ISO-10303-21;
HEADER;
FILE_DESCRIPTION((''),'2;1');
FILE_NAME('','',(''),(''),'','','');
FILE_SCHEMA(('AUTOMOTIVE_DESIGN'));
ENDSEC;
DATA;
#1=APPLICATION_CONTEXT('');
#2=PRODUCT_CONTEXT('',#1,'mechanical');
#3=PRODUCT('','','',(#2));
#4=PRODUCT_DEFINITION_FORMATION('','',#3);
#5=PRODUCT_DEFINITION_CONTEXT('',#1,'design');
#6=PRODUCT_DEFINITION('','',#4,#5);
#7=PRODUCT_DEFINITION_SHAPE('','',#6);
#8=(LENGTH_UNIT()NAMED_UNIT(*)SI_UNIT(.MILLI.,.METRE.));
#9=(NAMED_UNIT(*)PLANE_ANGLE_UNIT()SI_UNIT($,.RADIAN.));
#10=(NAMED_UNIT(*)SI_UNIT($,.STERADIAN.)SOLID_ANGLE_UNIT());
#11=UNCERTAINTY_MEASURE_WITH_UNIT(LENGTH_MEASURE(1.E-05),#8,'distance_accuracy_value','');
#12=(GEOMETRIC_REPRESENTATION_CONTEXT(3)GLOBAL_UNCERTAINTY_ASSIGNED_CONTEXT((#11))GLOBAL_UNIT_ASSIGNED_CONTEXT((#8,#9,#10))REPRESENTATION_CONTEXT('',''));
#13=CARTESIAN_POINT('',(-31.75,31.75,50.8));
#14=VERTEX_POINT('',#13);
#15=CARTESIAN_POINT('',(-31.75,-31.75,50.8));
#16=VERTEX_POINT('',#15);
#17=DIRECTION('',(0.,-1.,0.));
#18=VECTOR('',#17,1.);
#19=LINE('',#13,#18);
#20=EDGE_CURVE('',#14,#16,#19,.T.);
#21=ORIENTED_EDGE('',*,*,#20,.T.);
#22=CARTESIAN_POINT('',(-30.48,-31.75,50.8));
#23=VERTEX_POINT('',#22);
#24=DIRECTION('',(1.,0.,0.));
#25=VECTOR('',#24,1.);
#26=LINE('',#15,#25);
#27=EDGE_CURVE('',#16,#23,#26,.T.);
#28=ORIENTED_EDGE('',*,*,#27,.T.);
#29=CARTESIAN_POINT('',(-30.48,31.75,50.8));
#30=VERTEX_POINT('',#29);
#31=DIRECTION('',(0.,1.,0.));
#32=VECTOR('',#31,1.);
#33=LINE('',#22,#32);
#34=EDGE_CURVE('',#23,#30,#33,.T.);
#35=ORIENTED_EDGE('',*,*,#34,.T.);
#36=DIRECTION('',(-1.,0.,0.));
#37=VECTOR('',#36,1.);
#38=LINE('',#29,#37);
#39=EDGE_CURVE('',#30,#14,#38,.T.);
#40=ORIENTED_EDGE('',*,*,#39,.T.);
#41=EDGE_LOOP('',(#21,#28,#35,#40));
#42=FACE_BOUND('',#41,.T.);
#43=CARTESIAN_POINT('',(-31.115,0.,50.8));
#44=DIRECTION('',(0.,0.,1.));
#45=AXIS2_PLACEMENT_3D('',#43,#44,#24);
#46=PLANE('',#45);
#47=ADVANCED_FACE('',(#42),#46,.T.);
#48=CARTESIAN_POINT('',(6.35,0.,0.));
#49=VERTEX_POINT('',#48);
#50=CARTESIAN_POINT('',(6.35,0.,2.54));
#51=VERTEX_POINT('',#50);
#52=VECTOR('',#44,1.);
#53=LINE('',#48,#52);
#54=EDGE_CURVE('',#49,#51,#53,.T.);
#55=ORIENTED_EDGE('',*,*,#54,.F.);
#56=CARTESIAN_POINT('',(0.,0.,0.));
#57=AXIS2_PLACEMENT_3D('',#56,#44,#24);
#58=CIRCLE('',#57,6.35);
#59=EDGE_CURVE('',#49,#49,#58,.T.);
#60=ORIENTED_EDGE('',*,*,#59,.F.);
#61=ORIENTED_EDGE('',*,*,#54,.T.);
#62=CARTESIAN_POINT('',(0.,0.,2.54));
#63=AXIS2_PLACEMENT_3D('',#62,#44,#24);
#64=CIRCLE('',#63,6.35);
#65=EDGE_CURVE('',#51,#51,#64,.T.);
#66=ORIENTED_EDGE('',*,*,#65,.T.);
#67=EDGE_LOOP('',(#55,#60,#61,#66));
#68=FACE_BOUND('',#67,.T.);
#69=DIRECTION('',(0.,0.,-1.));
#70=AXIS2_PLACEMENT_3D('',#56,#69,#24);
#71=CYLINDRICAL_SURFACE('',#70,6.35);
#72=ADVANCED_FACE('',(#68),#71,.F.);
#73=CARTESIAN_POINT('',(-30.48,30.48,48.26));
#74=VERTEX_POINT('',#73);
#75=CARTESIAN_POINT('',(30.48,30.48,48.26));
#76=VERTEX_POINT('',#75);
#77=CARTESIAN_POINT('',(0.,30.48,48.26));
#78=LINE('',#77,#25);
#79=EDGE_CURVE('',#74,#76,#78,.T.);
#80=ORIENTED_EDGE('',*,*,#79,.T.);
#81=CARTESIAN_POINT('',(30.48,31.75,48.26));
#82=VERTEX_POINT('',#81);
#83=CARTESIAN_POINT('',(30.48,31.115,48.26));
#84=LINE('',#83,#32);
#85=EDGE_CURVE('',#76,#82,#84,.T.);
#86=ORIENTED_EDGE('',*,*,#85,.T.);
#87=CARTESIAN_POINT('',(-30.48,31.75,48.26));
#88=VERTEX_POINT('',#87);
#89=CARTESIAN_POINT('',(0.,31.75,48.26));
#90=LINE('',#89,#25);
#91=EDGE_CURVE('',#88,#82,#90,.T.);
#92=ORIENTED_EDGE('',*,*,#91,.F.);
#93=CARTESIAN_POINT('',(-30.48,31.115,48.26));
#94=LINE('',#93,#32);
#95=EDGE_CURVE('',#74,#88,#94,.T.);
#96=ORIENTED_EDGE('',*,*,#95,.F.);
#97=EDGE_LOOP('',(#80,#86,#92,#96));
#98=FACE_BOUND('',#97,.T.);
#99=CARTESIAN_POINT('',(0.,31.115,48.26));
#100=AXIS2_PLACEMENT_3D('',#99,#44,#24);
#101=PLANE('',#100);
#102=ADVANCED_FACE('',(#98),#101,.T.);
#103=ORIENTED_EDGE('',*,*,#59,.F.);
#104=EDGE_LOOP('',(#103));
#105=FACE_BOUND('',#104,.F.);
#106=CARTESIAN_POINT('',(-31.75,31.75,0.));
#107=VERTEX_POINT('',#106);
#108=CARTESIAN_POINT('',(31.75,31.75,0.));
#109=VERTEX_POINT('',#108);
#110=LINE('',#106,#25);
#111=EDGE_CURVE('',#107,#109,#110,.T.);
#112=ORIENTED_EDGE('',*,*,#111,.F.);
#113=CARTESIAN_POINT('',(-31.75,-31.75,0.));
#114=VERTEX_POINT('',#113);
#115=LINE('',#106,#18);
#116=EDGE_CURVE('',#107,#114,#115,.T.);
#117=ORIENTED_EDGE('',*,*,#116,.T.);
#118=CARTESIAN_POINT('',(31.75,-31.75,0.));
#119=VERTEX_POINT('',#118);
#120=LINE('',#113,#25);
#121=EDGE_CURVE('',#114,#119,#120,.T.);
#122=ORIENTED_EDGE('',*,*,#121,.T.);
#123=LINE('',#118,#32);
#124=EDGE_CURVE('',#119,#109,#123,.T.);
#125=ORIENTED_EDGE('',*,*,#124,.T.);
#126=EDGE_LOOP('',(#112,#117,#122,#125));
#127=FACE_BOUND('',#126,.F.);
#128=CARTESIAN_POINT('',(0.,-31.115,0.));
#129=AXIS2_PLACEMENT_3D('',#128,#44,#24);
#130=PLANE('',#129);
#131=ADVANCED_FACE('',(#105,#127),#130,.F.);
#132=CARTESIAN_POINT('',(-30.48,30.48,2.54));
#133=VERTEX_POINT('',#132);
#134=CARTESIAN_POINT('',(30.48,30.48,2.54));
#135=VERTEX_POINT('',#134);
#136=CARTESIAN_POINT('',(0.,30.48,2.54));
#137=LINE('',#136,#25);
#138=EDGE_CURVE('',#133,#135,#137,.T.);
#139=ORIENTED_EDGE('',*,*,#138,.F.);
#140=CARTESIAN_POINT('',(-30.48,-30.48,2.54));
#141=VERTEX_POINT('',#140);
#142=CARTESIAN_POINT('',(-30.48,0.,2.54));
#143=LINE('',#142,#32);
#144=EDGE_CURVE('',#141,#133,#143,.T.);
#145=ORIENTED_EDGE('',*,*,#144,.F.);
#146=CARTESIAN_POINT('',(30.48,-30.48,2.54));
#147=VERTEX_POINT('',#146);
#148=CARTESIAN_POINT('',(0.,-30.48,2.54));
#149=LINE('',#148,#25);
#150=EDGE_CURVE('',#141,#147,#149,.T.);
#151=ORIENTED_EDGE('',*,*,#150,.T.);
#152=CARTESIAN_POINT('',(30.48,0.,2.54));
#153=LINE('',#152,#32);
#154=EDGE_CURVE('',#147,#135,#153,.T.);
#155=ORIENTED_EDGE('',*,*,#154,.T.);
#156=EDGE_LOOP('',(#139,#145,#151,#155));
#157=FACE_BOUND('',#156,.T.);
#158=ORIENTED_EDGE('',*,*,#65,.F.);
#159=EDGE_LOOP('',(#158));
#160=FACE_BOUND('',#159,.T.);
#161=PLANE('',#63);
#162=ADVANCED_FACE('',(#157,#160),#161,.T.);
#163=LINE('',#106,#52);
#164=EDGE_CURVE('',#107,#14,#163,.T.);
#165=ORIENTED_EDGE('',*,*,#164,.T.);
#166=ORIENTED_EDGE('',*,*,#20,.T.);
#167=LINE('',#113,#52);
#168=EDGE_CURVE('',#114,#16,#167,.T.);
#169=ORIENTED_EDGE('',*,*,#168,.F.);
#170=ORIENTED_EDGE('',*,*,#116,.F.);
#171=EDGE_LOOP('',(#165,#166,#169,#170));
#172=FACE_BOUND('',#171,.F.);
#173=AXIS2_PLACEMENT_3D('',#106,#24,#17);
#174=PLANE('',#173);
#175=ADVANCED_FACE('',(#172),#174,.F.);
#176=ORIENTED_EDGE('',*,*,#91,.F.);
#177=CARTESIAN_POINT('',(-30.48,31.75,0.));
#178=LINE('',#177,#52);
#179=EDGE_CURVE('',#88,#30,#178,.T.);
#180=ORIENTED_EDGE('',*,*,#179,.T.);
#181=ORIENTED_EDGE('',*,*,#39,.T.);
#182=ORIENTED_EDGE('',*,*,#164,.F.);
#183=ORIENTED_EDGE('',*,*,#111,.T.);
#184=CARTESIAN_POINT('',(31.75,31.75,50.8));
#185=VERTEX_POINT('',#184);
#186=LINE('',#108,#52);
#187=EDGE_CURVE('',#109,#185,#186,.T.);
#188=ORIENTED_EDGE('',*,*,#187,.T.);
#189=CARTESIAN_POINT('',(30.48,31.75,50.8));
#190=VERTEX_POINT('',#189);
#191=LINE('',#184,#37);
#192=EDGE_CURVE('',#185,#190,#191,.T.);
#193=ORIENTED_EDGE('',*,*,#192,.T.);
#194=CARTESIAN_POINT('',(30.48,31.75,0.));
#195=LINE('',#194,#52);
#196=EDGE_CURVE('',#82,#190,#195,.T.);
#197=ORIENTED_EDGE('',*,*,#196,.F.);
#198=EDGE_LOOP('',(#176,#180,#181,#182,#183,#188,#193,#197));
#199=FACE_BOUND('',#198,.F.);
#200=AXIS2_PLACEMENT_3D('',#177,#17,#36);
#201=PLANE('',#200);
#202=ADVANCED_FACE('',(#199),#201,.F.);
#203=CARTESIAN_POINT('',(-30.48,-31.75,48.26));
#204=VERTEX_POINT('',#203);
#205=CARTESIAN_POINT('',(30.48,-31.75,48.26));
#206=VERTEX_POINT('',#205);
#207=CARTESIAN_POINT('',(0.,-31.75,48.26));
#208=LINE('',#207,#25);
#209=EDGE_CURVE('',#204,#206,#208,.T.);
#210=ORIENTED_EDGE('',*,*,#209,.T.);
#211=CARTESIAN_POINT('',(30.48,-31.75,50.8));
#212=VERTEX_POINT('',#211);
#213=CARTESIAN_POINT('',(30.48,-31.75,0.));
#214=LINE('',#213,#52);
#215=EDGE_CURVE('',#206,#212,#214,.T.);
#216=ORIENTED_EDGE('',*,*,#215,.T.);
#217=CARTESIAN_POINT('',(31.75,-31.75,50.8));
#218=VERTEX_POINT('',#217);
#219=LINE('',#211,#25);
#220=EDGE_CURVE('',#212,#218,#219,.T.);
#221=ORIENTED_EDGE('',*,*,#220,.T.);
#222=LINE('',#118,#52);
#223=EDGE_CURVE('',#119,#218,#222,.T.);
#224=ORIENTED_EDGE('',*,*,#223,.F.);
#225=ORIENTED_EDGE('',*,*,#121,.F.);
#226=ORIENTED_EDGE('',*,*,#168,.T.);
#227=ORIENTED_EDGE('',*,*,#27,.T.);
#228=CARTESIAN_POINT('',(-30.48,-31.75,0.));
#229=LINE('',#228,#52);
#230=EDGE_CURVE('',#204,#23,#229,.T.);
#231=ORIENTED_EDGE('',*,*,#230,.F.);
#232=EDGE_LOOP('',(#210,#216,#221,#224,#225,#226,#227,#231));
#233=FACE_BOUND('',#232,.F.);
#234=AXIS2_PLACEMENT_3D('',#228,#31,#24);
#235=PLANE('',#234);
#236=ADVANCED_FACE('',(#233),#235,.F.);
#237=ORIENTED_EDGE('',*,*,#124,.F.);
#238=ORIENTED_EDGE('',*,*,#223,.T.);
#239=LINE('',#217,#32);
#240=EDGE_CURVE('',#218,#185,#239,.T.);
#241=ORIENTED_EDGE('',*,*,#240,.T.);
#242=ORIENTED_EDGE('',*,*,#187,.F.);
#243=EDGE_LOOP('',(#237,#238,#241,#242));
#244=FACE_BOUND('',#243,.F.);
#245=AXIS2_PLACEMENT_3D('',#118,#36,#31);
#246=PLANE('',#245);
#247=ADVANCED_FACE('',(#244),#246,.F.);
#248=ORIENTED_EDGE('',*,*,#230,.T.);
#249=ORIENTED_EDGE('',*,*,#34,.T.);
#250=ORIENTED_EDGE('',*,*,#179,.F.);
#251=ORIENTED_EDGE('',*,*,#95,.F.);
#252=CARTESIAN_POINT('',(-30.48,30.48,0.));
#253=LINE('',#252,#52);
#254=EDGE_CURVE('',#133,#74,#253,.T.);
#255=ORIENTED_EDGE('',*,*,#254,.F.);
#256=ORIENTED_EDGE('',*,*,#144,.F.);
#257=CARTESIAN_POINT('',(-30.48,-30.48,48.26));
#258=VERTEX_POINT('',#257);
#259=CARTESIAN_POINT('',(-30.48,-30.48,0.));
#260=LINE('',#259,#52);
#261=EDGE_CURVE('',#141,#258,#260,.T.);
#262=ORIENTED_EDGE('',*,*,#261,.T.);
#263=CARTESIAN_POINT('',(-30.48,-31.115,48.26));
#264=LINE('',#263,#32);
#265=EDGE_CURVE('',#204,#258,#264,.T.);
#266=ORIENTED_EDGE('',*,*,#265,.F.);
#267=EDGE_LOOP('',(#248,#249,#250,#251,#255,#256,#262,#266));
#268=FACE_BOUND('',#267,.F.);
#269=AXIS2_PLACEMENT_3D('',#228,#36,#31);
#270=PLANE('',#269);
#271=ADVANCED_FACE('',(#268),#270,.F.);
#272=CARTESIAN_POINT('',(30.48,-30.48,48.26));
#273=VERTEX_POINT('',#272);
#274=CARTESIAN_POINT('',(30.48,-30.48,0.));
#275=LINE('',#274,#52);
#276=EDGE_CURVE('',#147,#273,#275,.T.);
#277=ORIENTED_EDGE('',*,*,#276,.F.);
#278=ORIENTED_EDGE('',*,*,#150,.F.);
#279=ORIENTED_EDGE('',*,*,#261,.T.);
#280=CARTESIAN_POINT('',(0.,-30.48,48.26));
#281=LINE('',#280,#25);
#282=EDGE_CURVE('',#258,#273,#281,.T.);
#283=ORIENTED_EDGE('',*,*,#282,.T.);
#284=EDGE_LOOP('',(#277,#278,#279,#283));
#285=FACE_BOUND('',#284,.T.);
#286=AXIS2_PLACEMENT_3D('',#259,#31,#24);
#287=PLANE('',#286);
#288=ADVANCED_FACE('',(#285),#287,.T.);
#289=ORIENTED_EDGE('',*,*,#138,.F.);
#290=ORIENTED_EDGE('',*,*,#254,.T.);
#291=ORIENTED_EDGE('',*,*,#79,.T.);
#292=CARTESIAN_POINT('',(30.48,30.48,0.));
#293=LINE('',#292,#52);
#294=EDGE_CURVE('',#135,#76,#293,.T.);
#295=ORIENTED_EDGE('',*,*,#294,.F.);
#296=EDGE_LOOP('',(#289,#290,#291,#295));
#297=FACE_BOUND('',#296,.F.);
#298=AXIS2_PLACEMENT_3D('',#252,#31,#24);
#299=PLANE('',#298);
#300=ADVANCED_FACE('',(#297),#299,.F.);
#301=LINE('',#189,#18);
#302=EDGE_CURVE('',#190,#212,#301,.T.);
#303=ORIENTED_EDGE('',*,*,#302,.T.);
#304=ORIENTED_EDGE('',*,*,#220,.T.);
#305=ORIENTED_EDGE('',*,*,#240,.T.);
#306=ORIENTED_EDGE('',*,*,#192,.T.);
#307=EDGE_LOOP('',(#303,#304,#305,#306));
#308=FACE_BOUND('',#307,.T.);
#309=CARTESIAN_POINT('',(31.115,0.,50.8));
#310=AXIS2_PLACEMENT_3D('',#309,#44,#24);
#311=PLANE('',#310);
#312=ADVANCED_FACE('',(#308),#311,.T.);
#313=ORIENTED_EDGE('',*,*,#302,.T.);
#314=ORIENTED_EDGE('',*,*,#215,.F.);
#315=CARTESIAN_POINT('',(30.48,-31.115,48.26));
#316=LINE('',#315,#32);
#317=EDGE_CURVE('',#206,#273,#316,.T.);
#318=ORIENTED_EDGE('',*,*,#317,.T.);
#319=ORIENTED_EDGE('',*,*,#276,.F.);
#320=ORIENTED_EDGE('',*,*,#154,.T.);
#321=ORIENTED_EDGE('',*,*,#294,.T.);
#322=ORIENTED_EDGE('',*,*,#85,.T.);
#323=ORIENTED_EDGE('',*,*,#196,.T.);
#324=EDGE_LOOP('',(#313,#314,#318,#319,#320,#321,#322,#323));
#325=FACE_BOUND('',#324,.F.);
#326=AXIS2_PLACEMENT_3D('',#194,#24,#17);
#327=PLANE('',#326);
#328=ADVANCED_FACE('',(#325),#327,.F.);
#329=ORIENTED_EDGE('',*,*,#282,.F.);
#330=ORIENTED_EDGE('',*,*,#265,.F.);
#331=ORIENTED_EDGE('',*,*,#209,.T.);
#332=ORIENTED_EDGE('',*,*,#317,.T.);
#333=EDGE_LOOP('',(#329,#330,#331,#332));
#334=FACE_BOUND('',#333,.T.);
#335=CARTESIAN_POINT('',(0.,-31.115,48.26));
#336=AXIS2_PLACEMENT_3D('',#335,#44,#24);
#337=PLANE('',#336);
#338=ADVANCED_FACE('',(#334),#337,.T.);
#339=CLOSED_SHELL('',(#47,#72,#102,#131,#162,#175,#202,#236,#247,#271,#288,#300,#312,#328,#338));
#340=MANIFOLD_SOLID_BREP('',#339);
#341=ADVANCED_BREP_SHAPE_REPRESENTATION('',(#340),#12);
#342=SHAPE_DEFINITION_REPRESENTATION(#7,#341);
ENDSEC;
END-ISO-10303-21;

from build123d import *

# Parameters (mm, degrees)
F0_W     = 60.96
F0_H     = 60.96
F0_R     = 6.35
F1_DEPTH = 2.54
F2_DEPTH = 50.8
F0_H_2   = 1.27
F3_DEPTH = 48.26


with BuildPart() as f1:
    # F0 (on Top) → F1 (new body)
    with BuildSketch(Plane.XY):
        Rectangle(F0_W, F0_H)
        Circle(F0_R, mode=Mode.SUBTRACT)
    extrude(amount=F1_DEPTH)

    # F0 (on Top) → F2 (join)
    with BuildSketch(Plane.XY):
        Polygon((-30.48, -30.48), (-30.48, 30.48), (-30.48, 31.75), (-31.75, 31.75), (-31.75, -31.75), (-30.48, -31.75), align=None)
        Polygon((30.48, 31.75), (30.48, 30.48), (30.48, -30.48), (30.48, -31.75), (31.75, -31.75), (31.75, 31.75), align=None)
    extrude(amount=F2_DEPTH)

    # F0 (on Top) → F3 (join)
    with BuildSketch(Plane.XY):
        with Locations((0, -31.115)):
            Rectangle(F0_W, F0_H_2)
        with Locations((0, 31.115)):
            Rectangle(F0_W, F0_H_2)
    extrude(amount=F3_DEPTH)


solid = f1.part
